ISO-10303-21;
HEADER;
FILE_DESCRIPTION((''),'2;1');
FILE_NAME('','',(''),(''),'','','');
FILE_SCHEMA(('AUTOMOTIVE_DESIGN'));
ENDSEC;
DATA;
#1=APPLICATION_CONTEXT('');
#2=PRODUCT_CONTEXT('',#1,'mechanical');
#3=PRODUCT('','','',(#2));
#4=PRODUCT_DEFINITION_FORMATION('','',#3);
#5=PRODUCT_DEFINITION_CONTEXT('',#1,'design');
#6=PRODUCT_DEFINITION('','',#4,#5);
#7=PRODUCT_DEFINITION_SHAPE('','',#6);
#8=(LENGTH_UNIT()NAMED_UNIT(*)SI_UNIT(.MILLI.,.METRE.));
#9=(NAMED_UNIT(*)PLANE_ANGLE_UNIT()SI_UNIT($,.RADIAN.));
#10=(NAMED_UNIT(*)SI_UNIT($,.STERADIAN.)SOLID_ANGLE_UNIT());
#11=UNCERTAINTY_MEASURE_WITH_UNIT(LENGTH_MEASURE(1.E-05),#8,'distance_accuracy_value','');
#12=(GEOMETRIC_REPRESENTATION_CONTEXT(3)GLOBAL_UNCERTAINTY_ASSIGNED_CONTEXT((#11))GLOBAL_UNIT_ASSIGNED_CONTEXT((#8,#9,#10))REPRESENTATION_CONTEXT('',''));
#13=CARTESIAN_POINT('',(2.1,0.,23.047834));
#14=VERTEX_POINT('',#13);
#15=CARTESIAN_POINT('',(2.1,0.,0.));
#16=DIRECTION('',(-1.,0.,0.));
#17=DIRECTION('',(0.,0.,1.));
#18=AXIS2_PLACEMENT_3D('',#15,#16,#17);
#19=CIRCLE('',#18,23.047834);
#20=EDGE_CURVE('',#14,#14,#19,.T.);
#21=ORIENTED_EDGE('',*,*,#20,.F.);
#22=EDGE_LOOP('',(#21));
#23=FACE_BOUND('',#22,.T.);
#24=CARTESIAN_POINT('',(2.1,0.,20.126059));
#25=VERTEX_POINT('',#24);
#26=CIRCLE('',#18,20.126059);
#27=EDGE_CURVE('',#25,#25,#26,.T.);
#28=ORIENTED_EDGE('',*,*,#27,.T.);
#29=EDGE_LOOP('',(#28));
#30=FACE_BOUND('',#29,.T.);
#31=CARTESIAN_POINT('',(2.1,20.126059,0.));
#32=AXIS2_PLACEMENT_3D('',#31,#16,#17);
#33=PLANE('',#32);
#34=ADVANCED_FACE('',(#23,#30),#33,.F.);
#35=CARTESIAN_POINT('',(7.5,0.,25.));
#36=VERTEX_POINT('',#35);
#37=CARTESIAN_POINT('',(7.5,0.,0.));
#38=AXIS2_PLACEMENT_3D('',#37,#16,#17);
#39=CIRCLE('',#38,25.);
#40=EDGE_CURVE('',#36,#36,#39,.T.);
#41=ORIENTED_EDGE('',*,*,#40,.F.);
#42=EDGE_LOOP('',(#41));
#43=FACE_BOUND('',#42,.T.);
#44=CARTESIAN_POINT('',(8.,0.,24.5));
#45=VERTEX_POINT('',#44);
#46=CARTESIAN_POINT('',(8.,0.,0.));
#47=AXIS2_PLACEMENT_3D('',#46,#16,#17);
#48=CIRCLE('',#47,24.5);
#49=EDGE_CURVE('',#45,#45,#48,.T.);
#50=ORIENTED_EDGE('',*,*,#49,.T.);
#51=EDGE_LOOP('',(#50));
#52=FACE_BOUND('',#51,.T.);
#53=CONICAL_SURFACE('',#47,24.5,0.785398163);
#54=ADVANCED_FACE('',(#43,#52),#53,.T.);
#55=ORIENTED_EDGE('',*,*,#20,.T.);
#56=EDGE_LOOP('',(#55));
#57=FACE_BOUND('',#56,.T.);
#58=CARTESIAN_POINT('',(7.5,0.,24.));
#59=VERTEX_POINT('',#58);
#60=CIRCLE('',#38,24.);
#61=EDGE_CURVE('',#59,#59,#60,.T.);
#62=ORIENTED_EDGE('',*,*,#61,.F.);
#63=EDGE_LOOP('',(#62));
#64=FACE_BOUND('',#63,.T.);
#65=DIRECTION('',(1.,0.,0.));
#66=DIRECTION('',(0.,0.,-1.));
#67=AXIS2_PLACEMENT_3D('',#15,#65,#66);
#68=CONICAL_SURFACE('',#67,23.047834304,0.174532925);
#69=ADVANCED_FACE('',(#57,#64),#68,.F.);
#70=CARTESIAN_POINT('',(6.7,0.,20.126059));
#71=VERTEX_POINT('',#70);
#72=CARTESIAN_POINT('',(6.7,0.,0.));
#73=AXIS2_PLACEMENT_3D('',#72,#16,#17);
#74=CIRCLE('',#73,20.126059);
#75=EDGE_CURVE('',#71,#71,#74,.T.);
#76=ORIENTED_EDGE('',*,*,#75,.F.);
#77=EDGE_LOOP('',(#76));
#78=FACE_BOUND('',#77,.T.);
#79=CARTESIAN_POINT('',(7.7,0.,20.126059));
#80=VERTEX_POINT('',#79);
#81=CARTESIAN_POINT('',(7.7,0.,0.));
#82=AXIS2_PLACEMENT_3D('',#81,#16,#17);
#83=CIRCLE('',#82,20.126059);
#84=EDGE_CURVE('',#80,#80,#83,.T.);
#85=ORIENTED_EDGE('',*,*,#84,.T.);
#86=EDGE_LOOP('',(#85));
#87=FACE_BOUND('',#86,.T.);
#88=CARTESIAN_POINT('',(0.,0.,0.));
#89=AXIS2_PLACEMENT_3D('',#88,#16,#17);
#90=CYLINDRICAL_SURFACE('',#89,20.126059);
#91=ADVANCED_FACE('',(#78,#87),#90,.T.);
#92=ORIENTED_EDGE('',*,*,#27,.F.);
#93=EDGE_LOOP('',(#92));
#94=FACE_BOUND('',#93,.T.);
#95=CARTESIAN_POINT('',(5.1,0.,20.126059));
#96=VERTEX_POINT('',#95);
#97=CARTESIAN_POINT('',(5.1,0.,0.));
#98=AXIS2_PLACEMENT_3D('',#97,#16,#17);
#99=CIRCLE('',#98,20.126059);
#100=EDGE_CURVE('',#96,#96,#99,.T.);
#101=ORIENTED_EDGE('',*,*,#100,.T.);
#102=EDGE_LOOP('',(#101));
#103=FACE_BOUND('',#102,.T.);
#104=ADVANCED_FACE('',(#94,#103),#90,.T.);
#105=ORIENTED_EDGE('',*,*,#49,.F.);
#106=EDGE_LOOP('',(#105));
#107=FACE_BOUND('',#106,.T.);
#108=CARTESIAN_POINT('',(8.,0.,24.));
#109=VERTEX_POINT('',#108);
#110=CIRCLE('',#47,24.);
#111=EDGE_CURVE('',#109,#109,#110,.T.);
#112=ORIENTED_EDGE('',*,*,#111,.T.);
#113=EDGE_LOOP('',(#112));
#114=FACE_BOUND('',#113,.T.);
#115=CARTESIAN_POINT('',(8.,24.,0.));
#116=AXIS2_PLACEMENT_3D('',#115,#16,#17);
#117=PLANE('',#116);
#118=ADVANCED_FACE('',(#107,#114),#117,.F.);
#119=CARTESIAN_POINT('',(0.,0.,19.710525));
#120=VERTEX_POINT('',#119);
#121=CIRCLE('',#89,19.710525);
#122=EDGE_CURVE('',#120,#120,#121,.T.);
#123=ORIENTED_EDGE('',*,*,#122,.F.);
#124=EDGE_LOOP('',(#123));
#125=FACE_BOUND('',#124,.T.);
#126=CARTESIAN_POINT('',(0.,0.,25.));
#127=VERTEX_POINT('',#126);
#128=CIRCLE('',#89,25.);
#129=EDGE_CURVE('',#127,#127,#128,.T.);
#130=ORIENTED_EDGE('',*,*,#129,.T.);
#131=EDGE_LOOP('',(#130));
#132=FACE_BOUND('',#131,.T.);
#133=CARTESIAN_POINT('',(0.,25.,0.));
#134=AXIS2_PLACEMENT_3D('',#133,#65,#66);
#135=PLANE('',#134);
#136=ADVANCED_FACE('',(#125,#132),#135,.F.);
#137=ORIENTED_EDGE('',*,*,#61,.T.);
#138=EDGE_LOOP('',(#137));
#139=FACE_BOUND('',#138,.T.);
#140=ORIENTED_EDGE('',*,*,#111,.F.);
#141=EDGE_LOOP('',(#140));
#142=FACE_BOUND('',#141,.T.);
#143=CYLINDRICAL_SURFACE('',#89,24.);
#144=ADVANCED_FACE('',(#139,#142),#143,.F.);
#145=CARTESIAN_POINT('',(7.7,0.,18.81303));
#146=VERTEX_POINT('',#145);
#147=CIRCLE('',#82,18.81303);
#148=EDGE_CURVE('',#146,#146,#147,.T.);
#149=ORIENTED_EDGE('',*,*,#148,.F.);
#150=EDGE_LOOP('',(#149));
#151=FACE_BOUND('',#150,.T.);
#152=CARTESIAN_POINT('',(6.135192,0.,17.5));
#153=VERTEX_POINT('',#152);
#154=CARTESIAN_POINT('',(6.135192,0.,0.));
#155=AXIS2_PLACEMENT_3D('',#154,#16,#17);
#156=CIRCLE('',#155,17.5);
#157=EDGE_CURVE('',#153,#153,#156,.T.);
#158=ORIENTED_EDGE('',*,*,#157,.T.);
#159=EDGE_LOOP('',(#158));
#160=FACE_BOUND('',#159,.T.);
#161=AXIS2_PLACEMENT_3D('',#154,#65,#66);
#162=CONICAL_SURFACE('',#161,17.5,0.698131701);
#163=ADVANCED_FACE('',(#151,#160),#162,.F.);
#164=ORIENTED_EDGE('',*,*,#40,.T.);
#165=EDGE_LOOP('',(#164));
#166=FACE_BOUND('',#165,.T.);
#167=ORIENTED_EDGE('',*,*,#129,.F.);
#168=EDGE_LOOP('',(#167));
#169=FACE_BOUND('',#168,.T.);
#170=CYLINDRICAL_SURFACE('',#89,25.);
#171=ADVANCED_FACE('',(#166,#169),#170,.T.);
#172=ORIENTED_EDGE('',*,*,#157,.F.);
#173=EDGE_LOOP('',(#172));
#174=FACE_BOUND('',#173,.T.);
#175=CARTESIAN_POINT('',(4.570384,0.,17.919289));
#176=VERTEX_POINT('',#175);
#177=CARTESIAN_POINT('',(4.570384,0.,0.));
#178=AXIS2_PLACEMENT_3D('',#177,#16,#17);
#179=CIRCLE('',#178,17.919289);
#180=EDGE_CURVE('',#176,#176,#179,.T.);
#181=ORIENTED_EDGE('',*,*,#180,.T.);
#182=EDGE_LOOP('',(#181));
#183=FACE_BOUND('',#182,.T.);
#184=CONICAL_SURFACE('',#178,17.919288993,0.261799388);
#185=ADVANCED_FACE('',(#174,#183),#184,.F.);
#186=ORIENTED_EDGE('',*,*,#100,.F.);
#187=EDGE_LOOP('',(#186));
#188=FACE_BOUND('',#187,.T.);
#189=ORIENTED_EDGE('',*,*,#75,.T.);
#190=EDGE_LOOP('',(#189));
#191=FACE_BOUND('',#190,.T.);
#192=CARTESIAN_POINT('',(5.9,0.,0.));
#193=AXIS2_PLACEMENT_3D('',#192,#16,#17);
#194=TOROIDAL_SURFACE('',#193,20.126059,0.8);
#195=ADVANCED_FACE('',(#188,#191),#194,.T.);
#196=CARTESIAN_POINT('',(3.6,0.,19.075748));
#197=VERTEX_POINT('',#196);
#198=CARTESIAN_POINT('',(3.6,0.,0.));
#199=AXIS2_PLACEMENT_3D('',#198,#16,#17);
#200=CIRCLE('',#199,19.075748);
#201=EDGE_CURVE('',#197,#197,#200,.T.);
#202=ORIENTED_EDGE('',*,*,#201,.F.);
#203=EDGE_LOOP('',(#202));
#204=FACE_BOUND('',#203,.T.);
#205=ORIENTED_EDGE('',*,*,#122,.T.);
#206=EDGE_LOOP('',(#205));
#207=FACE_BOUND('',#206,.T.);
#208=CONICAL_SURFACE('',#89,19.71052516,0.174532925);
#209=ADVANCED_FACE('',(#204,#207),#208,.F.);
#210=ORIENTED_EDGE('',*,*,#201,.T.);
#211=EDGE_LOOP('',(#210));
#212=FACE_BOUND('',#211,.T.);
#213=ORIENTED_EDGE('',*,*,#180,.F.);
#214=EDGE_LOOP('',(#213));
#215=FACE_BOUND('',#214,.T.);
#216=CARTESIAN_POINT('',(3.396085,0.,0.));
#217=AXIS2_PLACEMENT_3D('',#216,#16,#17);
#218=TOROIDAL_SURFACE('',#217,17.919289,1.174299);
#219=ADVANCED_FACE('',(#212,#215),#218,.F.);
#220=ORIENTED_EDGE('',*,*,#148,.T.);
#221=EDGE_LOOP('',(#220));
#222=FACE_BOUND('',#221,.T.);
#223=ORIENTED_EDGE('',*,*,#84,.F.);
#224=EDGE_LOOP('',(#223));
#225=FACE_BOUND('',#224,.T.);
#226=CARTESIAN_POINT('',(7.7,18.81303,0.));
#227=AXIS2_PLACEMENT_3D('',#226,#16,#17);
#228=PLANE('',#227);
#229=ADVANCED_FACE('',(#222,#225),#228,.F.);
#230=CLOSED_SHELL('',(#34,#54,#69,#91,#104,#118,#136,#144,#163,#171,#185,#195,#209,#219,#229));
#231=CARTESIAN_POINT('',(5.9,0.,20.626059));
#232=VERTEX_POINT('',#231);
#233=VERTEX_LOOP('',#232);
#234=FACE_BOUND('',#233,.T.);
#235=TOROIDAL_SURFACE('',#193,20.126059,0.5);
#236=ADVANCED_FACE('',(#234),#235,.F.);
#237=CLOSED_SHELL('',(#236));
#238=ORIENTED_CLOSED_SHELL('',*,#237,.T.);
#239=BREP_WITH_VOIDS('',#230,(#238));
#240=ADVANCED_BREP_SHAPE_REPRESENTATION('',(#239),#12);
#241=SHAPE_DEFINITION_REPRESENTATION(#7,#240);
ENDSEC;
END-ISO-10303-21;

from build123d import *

# Parameters (mm, degrees)
SKETCH1_R = 0.5


with BuildPart() as part:
    # Sketch1 → Revolve1 (revolve)
    with BuildSketch(Plane.XY, mode=Mode.PRIVATE) as revolve1_sk:
        with BuildLine():
            Line((0, 25), (0, 19.71052516))
            Line((0, 19.71052516), (3.6, 19.075748029))
            ThreePointArc((3.6, 19.075748029), (4.295650509, 18.674114021), (4.570384351, 17.919288993))
            Line((4.570384351, 17.919288993), (6.135192176, 17.5))
            Line((6.135192176, 17.5), (7.7, 18.813029668))
            Line((7.7, 18.813029668), (7.7, 20.126059337))
            Line((7.7, 20.126059337), (6.7, 20.126059337))
            ThreePointArc((6.7, 20.126059337), (5.9, 20.926059337), (5.1, 20.126059337))
            Line((5.1, 20.126059337), (2.1, 20.126059337))
            Line((2.1, 20.126059337), (2.1, 23.047834304))
            Line((2.1, 23.047834304), (7.5, 24))
            Line((7.5, 24), (8, 24))
            Line((8, 24), (8, 24.5))
            Line((8, 24.5), (7.5, 25))
            Line((7.5, 25), (0, 25))
        make_face()
        with Locations((5.9, 20.126059337)):
            Circle(SKETCH1_R, mode=Mode.SUBTRACT)
    revolve(revolve1_sk.sketch.rotate(Axis((0, 0, 0), (1, 0, 0)), 90), axis=Axis((0, 0, 0), (1, 0, 0)))


solid = part.part
